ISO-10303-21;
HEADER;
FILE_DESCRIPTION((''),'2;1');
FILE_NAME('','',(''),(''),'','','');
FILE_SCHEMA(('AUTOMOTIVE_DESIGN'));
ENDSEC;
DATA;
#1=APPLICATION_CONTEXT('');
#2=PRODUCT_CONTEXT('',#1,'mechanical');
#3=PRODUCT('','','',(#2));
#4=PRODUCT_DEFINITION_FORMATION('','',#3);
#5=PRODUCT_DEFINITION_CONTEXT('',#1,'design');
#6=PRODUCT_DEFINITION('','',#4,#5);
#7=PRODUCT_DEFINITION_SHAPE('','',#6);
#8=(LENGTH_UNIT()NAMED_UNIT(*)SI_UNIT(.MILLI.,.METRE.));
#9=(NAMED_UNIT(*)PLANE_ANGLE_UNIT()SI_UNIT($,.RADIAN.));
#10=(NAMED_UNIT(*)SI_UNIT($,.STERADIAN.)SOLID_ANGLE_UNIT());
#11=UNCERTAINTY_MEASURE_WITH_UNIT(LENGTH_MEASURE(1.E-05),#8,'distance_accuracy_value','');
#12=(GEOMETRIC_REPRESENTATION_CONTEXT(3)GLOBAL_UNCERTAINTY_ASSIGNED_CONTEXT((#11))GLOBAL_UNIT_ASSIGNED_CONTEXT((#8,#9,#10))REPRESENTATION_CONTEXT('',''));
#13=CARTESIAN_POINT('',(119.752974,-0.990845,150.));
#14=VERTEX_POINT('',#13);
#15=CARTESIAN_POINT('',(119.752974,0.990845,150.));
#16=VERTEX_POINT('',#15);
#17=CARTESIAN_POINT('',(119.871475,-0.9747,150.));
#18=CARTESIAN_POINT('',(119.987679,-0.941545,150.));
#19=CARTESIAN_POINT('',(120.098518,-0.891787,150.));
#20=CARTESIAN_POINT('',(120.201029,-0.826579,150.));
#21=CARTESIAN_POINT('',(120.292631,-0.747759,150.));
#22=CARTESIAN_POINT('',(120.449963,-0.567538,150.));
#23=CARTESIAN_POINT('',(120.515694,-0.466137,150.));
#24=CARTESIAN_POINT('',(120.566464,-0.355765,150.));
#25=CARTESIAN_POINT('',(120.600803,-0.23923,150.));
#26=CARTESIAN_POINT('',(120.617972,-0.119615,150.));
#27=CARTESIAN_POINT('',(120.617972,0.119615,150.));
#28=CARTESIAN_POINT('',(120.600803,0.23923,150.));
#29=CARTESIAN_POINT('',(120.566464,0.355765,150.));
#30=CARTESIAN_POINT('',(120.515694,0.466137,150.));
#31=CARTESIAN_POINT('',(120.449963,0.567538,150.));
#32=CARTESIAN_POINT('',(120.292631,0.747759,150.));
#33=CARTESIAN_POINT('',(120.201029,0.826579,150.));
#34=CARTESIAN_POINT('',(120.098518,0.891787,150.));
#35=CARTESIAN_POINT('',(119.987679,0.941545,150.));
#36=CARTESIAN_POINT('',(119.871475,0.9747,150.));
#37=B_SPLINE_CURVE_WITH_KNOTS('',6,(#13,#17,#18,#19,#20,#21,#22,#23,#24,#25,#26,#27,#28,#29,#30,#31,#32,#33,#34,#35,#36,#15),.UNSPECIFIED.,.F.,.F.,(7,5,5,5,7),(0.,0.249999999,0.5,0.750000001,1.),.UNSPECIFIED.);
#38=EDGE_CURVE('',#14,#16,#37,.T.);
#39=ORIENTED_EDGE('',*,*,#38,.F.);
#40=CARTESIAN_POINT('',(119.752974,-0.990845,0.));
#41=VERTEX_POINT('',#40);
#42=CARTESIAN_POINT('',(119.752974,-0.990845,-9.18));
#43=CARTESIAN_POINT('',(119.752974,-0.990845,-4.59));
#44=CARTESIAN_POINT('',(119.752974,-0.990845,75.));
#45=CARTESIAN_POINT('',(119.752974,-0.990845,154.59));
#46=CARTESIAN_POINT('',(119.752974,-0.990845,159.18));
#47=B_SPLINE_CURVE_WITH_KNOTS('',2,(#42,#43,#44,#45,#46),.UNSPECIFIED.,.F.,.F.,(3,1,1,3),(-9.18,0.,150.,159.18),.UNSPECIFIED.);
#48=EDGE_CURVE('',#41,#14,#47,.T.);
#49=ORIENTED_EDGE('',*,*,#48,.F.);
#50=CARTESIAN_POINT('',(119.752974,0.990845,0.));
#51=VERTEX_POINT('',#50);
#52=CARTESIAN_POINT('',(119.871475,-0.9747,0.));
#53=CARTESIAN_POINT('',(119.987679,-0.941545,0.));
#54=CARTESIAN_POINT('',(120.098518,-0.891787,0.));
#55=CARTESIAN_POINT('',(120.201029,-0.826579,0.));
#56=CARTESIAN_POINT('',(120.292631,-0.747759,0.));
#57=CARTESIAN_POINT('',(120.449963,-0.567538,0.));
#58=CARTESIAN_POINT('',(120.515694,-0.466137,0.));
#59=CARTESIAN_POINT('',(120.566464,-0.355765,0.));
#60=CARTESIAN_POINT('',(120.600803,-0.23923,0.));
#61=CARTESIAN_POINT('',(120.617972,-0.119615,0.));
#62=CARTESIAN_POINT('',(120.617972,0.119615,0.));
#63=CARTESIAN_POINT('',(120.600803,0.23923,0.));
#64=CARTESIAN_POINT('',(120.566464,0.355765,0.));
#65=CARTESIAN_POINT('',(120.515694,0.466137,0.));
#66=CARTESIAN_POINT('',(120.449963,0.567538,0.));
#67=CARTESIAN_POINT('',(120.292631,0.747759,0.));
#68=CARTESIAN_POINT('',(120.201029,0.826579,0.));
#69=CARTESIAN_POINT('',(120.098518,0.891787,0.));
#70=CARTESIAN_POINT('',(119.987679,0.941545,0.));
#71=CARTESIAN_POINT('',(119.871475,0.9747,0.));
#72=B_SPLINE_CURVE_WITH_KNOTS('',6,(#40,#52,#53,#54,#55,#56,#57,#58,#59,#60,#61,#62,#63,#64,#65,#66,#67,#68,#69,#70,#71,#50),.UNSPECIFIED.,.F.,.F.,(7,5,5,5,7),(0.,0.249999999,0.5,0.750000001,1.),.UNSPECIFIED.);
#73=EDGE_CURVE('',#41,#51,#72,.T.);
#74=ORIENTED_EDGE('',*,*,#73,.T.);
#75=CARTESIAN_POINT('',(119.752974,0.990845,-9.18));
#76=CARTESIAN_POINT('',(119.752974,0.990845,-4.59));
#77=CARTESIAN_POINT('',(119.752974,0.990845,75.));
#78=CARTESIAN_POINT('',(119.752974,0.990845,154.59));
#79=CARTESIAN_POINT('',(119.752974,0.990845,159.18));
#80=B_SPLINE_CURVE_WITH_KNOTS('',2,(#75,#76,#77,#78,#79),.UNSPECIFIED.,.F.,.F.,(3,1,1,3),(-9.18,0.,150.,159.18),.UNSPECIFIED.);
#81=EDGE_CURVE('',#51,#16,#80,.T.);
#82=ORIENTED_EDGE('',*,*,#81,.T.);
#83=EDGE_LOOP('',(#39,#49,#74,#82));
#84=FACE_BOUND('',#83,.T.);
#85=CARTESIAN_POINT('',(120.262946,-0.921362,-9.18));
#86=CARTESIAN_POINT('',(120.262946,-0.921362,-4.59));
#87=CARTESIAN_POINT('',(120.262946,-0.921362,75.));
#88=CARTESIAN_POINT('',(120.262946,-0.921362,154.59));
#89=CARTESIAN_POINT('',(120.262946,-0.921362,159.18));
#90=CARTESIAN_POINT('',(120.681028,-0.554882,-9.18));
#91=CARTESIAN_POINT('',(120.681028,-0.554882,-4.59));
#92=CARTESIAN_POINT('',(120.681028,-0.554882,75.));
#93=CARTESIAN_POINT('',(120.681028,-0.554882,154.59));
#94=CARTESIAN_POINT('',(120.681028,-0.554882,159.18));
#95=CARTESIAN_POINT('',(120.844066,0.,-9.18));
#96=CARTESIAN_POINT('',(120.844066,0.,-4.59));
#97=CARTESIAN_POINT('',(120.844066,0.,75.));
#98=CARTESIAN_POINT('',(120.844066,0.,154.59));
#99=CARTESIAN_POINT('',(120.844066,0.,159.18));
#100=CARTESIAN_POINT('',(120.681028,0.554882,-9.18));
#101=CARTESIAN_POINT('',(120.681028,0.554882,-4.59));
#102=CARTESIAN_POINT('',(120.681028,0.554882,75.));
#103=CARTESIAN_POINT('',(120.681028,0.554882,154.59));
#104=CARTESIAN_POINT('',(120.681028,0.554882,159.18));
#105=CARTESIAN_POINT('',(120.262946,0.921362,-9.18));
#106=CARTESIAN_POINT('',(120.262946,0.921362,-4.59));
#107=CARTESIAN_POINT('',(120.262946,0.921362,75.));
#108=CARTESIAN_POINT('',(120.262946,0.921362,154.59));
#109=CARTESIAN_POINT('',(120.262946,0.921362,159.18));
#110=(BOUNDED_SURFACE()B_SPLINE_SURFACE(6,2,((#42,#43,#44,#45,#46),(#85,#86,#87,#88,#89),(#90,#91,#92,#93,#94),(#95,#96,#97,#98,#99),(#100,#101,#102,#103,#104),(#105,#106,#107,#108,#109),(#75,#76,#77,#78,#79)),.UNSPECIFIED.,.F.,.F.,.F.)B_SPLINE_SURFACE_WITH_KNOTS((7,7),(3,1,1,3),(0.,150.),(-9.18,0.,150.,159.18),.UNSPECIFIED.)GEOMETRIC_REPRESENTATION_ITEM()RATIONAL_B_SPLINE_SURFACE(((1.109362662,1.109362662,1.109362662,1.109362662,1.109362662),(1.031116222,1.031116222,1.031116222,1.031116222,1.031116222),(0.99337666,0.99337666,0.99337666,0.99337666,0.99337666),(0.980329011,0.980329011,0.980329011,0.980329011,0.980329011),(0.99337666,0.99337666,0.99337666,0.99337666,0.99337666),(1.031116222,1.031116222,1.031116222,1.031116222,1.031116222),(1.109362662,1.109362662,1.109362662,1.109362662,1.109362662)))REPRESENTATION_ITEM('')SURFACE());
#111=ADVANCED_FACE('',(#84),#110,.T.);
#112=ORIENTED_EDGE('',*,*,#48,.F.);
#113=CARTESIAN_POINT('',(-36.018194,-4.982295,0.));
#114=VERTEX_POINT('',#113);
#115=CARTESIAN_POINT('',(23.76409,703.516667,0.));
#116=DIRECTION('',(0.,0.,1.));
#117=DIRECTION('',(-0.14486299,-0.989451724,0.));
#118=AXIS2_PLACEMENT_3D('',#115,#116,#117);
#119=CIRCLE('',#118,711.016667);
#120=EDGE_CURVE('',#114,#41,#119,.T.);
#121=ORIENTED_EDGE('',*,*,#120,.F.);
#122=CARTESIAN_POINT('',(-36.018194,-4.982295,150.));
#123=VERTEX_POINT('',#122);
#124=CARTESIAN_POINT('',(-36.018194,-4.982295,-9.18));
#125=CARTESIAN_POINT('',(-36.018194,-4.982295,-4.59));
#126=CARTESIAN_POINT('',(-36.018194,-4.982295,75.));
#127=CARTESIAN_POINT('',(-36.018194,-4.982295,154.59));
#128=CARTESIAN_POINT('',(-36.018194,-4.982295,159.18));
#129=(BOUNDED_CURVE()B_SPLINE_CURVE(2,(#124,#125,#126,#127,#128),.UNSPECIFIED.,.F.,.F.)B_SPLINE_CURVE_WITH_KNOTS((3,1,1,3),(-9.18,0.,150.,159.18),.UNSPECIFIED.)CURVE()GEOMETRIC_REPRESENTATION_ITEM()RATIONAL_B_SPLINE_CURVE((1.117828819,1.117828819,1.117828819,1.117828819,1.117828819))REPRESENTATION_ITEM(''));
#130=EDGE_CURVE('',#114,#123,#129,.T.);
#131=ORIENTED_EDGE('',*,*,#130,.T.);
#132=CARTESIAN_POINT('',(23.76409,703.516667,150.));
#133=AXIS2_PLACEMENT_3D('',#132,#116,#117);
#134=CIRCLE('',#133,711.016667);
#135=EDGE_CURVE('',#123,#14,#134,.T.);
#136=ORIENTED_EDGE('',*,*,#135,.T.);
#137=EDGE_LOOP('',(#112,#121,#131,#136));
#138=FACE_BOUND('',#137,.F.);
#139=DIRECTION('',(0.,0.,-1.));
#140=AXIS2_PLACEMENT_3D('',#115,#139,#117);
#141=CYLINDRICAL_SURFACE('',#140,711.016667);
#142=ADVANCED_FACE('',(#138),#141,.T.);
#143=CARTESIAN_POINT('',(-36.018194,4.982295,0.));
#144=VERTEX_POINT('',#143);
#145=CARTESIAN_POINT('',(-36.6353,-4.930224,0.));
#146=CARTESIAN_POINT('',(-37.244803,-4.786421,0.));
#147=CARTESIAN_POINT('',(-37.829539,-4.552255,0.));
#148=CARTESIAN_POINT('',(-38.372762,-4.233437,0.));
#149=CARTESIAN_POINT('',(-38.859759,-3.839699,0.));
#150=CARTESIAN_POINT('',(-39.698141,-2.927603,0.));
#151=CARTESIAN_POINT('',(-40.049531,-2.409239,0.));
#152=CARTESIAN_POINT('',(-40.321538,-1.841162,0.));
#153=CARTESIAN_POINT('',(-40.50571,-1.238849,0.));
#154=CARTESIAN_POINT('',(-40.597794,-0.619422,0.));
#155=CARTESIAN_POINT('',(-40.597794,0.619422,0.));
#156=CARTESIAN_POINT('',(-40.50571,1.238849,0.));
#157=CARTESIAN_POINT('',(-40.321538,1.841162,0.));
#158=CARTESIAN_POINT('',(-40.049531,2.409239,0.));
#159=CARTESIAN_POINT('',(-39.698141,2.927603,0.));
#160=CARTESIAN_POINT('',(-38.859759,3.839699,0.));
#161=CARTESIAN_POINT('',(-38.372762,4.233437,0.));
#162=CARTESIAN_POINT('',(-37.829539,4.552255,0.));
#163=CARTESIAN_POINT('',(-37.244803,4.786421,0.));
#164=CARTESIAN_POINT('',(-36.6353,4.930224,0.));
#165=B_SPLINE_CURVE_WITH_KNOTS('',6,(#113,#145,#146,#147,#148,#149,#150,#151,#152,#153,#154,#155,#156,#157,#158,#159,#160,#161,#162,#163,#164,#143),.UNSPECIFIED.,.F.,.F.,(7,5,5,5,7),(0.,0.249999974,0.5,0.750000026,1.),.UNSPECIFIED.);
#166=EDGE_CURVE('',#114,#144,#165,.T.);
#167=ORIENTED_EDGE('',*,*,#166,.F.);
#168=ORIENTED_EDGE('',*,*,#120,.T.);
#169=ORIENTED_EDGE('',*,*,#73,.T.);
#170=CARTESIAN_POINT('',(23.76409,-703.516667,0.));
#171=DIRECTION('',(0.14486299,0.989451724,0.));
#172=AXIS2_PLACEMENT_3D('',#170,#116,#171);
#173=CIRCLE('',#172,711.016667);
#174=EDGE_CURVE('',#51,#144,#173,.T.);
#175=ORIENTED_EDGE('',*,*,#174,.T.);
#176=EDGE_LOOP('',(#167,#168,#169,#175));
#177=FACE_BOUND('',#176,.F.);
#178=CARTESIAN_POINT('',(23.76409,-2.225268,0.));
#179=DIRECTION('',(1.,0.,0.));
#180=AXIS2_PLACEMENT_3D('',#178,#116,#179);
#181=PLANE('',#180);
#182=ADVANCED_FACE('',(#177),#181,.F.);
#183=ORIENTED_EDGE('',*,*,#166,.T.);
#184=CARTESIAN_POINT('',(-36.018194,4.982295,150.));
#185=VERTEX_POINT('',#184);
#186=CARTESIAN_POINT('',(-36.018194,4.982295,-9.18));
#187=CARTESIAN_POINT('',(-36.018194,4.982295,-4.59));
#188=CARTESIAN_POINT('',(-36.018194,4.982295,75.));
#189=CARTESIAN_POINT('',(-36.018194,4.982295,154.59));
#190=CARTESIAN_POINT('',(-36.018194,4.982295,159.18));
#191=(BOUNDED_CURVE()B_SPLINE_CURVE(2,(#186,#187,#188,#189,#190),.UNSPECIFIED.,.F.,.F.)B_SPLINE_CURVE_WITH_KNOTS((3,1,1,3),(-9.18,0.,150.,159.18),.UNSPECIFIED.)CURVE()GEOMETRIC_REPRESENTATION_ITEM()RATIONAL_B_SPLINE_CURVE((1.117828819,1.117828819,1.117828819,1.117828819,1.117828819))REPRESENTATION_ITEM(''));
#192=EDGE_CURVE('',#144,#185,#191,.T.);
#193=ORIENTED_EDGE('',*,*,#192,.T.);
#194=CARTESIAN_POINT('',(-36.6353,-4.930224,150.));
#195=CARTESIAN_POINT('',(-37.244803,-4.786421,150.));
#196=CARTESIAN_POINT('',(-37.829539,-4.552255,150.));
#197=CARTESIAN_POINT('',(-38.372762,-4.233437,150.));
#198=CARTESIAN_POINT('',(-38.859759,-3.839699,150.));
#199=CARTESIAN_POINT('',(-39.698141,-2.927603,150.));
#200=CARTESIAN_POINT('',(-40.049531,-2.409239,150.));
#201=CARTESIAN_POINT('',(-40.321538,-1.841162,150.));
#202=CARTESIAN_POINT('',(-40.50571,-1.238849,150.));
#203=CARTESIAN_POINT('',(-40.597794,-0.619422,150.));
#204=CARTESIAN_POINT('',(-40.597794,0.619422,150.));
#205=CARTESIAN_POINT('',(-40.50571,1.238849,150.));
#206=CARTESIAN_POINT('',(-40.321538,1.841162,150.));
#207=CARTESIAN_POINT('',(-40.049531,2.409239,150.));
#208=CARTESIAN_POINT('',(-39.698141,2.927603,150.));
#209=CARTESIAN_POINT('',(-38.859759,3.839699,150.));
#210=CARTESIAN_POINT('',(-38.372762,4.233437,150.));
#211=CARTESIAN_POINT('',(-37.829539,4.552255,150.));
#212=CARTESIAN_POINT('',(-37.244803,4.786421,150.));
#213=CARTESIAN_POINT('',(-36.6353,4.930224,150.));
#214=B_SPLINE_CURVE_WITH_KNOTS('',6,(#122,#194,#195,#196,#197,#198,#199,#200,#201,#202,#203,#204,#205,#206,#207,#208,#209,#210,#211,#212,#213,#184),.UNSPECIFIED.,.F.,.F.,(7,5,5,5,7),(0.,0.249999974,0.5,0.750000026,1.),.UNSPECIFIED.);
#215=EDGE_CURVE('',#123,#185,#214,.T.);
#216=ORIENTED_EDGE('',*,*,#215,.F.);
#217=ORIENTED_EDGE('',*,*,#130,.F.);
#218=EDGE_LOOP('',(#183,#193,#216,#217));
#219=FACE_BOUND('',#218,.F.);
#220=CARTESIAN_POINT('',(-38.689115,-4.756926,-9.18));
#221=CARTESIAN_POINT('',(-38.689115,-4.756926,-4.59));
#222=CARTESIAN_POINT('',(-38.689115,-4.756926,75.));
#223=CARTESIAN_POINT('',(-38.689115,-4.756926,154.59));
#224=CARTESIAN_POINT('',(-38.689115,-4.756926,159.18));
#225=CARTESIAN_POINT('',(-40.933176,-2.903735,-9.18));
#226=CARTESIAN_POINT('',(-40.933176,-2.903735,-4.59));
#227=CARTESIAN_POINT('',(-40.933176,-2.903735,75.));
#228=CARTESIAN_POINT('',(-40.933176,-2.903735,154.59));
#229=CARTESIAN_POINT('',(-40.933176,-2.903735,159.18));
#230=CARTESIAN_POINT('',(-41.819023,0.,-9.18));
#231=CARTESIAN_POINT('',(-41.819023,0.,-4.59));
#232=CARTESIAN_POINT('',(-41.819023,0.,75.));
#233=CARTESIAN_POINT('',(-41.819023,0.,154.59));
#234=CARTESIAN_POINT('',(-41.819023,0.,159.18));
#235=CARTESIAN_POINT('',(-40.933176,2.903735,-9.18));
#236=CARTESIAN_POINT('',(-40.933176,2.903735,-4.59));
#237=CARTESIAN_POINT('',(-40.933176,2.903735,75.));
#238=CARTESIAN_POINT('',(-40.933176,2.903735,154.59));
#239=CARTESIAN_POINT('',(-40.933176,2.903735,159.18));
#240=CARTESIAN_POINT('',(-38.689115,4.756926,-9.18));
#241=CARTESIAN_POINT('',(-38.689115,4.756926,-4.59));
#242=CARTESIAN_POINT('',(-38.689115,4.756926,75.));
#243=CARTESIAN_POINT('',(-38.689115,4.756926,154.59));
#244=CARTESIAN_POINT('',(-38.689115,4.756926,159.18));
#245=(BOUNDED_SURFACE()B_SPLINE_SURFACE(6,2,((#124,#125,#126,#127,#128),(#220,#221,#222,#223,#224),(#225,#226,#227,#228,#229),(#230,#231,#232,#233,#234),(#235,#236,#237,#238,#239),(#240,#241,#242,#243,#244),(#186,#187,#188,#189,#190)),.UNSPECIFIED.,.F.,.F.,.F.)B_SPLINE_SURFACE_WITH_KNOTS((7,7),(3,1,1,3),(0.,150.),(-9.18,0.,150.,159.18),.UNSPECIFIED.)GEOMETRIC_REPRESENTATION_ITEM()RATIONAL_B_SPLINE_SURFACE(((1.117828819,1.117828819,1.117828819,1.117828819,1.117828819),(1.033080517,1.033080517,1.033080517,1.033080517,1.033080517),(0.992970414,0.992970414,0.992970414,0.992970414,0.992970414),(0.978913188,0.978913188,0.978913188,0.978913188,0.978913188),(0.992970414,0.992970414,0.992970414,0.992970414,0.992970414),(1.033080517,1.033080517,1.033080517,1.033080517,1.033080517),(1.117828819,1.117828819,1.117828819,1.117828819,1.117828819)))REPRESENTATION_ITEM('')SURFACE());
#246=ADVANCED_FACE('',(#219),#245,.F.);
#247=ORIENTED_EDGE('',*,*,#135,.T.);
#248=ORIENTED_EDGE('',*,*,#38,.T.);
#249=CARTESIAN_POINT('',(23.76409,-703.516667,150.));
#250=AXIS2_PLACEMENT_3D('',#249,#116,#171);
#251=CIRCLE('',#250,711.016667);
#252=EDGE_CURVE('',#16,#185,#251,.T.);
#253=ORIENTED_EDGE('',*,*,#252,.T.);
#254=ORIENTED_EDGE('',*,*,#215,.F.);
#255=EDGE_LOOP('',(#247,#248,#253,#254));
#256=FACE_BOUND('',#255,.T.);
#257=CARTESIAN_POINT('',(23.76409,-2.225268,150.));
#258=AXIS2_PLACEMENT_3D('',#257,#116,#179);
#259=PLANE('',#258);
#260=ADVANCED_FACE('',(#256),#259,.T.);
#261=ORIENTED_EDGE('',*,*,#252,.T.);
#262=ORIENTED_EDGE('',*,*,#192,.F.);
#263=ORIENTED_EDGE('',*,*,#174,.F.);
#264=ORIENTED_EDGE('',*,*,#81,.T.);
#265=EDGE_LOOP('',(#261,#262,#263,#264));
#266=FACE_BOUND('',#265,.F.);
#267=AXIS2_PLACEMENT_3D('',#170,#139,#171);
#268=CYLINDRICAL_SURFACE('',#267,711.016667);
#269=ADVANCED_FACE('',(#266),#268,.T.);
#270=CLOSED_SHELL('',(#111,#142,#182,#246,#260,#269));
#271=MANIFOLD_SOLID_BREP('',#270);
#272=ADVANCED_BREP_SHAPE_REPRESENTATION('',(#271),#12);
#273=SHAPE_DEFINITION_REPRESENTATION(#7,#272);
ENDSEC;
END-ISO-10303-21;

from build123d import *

# Parameters (mm, degrees)
F1_DEPTH = 150
F2_R     = 5
F3_R     = 1


with BuildPart() as f1:
    # F0 (on Top) → F1 (new body)
    with BuildSketch(Plane.XY):
        with BuildLine():
            Line((126.764090176, 0), (-79.235909824, 0))
            ThreePointArc((-79.235909824, 0), (23.764090176, -7.5), (126.764090176, 0))
        make_face()
        with BuildLine():
            ThreePointArc((126.764090176, 0), (23.764090176, 7.5), (-79.235909824, 0))
            Line((-79.235909824, 0), (126.764090176, 0))
        make_face()
    extrude(amount=F1_DEPTH)

    # F2
    f2_edges = [f1.edges().sort_by_distance(p)[0] for p in [
        (-79.23591, 0, 75),
    ]]
    fillet(f2_edges, radius=F2_R)

    # F3
    f3_edges = [f1.edges().sort_by_distance(p)[0] for p in [
        (126.76409, 0, 75),
    ]]
    fillet(f3_edges, radius=F3_R)


solid = f1.part
